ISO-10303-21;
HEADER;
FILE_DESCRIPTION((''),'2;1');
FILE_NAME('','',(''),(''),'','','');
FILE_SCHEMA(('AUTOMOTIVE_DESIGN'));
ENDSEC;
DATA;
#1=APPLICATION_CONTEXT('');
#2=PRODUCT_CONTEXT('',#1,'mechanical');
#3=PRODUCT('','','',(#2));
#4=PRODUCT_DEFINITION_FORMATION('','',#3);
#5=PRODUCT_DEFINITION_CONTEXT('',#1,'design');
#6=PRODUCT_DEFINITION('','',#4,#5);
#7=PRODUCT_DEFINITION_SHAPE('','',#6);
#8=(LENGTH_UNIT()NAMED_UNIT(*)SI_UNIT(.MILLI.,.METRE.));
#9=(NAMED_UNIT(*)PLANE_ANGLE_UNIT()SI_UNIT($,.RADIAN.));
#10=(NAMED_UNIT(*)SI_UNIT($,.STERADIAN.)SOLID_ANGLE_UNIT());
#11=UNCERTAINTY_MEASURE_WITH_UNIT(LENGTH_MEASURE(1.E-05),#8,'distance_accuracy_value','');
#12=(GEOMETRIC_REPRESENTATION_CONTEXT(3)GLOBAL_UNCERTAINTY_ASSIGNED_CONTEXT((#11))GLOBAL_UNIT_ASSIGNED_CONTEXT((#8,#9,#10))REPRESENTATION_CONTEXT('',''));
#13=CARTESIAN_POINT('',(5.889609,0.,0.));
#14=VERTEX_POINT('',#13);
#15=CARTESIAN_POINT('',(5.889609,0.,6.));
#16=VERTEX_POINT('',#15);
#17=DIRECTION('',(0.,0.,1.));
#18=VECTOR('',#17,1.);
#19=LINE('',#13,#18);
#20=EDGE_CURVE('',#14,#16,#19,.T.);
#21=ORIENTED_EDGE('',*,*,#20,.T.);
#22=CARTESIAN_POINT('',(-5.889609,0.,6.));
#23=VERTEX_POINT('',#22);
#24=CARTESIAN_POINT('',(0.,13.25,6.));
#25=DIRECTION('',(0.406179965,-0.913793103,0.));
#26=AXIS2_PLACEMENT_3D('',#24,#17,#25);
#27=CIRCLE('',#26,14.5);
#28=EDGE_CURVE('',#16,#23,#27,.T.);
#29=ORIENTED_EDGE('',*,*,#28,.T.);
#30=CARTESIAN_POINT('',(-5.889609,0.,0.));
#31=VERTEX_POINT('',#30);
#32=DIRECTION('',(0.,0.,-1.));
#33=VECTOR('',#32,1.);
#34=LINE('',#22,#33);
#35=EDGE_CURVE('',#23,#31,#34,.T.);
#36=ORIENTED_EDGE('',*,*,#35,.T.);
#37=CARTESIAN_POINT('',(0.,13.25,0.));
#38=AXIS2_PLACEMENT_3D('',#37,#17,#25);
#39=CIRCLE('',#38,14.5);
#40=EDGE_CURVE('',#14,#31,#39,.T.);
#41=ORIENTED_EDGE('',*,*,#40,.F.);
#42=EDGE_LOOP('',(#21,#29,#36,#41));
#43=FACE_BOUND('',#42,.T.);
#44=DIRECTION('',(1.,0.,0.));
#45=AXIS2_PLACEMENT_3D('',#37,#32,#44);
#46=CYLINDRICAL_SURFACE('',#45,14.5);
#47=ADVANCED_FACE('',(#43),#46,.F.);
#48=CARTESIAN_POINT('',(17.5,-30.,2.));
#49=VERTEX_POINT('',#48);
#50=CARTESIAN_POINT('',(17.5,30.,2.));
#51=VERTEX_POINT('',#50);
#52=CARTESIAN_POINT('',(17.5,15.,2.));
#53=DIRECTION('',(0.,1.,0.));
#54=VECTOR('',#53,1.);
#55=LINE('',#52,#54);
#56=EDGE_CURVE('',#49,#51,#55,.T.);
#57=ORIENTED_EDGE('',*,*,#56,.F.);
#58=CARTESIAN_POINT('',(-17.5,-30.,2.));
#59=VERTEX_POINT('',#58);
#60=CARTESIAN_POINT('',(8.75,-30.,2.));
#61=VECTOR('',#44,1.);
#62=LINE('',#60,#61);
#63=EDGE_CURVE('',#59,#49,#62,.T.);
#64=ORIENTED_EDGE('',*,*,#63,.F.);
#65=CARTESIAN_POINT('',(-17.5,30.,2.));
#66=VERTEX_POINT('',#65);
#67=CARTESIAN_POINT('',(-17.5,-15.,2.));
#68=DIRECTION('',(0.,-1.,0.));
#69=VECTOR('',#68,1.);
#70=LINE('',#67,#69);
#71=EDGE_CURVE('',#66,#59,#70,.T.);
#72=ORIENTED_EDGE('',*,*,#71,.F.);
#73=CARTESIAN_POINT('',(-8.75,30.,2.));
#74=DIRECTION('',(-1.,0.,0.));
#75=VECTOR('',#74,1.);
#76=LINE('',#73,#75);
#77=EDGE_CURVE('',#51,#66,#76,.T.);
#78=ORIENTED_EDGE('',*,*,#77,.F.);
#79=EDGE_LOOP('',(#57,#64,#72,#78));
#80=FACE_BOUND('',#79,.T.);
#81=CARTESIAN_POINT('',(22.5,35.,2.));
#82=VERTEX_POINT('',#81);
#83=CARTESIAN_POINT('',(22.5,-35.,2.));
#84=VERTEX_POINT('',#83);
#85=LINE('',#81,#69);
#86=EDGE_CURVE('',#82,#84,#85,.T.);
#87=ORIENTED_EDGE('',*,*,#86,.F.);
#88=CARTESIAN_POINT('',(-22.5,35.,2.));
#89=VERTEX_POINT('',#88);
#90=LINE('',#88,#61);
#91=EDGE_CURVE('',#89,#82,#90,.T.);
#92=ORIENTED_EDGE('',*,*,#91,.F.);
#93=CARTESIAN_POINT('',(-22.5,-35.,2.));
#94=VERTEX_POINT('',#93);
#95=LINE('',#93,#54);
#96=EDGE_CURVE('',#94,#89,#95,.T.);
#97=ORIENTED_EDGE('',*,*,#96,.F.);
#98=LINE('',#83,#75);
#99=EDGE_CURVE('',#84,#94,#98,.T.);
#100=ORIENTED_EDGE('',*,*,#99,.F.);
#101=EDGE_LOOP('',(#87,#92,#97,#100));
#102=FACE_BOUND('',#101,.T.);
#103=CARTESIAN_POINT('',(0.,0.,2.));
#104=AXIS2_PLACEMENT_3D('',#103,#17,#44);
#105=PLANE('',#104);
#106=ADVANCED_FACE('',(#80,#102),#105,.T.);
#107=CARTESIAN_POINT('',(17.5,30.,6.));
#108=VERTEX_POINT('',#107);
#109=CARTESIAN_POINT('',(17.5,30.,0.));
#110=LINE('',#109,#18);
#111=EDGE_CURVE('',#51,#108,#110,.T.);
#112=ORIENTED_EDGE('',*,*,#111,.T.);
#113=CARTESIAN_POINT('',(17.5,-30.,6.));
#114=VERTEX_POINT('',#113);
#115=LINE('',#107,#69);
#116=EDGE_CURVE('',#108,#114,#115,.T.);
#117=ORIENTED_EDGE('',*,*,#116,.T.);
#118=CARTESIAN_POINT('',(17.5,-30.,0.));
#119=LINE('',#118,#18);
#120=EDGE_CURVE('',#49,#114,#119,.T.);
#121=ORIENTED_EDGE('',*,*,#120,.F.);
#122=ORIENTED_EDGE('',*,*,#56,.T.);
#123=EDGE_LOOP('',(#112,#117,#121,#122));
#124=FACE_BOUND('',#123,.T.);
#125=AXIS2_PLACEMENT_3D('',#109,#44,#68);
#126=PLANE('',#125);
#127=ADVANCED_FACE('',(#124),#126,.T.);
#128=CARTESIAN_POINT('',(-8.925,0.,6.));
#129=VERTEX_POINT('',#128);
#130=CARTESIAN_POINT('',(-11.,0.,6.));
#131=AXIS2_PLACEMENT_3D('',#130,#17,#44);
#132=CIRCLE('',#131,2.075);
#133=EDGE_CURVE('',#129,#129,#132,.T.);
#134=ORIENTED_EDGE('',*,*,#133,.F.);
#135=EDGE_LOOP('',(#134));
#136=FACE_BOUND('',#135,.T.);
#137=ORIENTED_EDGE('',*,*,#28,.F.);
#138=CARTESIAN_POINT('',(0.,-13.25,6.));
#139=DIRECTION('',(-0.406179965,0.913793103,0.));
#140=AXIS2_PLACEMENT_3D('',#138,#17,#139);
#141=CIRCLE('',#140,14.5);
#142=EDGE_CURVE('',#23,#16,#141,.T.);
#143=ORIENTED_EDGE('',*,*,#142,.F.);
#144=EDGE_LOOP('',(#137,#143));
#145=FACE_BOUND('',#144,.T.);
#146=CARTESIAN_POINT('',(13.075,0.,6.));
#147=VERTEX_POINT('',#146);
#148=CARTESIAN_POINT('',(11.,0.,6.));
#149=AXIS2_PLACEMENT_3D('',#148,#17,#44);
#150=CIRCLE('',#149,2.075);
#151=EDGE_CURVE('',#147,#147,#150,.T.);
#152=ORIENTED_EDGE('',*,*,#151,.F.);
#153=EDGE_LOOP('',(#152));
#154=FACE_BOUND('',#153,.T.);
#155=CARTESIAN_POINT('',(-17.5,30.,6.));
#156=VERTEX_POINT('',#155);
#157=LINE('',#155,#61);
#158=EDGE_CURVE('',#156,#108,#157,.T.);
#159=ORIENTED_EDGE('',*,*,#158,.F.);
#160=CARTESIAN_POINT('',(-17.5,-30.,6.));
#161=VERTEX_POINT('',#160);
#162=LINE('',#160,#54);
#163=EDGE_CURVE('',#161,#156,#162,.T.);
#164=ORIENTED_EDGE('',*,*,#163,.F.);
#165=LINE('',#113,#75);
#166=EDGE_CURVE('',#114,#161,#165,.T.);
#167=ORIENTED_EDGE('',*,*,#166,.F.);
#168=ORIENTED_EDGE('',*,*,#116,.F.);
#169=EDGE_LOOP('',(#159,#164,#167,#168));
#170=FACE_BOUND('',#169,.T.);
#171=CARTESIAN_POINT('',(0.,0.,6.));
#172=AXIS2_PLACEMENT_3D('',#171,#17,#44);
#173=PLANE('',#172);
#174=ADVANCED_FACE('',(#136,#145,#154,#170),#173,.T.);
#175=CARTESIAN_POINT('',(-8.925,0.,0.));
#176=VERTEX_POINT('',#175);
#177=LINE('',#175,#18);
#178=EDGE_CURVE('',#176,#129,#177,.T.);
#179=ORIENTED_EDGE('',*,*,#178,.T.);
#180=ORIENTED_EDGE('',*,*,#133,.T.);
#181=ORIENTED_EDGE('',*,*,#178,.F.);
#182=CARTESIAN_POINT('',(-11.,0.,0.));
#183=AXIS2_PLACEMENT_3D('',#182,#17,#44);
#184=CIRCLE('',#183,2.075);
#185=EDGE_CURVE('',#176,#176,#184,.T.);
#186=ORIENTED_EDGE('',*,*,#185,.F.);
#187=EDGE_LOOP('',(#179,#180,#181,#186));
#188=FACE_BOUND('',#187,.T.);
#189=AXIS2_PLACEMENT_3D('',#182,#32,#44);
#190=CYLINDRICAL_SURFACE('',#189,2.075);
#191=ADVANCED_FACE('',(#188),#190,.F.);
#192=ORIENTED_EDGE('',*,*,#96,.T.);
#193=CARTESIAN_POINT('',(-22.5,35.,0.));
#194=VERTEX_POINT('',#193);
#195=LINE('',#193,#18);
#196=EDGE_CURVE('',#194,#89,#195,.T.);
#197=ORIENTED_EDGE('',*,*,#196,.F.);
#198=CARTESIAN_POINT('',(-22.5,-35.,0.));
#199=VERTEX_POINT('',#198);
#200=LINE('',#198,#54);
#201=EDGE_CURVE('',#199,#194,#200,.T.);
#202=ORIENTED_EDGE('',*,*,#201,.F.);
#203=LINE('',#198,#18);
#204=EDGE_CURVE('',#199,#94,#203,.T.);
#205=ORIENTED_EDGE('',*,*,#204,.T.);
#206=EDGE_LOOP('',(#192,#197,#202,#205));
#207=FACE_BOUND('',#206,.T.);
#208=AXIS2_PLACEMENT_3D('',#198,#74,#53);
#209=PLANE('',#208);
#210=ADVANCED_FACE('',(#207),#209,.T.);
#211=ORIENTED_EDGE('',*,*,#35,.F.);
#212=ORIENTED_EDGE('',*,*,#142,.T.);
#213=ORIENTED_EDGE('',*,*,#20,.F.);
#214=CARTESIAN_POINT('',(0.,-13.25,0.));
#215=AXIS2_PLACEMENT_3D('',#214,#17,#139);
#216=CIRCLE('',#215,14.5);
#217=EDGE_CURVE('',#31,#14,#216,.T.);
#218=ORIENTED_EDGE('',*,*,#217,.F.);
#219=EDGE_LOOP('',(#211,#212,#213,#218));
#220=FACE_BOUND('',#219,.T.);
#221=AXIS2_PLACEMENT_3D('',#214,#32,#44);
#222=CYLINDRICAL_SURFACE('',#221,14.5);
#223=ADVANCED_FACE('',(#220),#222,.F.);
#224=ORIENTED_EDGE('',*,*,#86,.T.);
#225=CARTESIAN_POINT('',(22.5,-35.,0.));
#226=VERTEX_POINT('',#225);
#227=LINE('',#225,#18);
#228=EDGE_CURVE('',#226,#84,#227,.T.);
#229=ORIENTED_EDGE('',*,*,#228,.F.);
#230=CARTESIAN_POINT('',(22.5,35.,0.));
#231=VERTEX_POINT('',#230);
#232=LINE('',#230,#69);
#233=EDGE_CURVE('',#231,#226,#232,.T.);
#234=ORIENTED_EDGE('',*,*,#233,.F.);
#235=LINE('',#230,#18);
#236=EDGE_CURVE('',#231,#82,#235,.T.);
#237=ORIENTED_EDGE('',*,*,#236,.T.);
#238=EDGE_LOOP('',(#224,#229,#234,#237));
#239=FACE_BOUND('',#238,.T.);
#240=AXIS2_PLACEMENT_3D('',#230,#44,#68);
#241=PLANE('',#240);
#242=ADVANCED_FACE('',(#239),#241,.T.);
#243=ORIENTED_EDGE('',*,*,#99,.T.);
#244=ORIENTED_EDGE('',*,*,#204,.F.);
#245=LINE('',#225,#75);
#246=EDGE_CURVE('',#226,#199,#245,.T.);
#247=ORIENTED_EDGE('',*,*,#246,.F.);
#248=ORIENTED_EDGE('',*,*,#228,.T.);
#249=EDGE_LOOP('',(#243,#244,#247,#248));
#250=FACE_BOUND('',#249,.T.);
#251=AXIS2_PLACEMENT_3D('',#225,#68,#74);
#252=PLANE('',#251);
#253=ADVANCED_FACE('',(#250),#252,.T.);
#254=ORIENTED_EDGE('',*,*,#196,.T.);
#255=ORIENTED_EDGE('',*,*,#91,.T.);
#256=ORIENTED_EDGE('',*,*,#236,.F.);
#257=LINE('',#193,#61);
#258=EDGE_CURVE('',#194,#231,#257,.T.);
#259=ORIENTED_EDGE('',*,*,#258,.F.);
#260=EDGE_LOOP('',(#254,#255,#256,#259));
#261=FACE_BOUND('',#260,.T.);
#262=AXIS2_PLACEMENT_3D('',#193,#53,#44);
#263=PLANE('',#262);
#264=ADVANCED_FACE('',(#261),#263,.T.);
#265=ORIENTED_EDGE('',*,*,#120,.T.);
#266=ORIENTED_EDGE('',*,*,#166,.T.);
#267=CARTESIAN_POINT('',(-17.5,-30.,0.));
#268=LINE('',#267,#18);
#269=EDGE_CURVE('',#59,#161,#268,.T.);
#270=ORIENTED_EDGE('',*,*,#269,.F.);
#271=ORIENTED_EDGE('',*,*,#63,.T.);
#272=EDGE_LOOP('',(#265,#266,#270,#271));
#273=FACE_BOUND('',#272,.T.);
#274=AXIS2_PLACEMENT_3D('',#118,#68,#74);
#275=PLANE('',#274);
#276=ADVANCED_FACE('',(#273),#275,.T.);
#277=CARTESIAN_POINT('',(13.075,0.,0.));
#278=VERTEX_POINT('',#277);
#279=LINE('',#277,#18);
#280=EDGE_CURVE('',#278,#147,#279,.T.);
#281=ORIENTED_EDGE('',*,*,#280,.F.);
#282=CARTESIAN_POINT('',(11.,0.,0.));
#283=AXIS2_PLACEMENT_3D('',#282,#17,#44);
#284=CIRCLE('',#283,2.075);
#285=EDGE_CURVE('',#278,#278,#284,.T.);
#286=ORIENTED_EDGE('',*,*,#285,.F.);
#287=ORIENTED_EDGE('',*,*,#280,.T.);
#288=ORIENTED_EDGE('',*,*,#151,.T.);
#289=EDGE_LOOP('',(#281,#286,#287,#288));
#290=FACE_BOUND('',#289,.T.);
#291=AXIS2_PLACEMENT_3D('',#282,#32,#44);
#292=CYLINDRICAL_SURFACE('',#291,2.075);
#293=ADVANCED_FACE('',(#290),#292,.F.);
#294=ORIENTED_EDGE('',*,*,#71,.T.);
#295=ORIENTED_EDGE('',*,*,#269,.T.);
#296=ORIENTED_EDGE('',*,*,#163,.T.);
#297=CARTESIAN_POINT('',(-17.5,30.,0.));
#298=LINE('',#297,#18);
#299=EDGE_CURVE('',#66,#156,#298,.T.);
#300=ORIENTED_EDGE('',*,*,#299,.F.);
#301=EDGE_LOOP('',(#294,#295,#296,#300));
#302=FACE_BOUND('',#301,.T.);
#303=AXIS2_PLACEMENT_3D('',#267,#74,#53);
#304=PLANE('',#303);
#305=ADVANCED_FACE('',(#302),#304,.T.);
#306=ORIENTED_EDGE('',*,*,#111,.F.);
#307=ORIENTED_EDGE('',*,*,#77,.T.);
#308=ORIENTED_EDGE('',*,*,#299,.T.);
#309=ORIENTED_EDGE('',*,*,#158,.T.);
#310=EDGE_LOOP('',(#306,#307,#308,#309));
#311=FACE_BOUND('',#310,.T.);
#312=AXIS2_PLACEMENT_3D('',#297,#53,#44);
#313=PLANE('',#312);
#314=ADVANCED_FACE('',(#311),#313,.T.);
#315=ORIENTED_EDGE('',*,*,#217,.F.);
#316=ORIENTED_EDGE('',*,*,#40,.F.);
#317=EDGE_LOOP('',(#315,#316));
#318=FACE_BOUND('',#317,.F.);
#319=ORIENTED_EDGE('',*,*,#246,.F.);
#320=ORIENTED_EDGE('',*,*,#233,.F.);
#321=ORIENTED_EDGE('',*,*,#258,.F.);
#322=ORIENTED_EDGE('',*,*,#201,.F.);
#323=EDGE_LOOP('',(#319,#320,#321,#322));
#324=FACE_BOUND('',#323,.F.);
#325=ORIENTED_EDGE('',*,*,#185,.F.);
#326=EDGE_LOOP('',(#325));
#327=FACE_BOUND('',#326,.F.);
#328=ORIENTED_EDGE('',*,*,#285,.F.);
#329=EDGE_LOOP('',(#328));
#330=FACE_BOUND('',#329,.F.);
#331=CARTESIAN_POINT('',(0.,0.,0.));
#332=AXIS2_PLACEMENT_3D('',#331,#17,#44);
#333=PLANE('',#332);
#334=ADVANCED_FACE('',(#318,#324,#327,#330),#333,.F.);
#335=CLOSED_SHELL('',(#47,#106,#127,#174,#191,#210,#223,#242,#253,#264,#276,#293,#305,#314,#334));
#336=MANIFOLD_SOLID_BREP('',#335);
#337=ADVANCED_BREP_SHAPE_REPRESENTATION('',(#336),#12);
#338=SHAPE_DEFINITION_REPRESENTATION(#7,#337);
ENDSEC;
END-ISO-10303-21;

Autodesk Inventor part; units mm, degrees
ref_plane "YZ Plane" through (0, 0, 0) normal (1, 0, 0) x (0, 1, 0)
ref_plane "XZ Plane" through (0, 0, 0) normal (0, 1, 0) x (-1, 0, 0)
ref_plane "XY Plane" through (0, 0, 0) normal (0, 0, 1) x (1, 0, 0)
sketch "Sketch1" plane through (0, 0, 0) normal (0, 0, 1) x (1, 0, 0)
  circle A0 centre (0, 13.25) radius 14.5
  circle A1 centre (0, -13.25) radius 14.5
  line L0 (0, 13.25) -> (0, -13.25) construction
  circle A2 centre (11, 0) radius 2.075
  circle A3 centre (-11, 0) radius 2.075
  line L1 (-17.5, 30) -> (17.5, 30)
  line L2 (17.5, 30) -> (17.5, -30)
  line L3 (17.5, -30) -> (-17.5, -30)
  line L4 (-17.5, -30) -> (-17.5, 30)
  line L5 (-22.5, 35) -> (22.5, 35)
  line L6 (22.5, 35) -> (22.5, -35)
  line L7 (22.5, -35) -> (-22.5, -35)
  line L8 (-22.5, -35) -> (-22.5, 35)
  point P0 (0, 0)
  point P1 (-5.8896, 0)
  point P2 (5.8896, 0)
  dimension "d0" = 29
  dimension "d1" = 29
  dimension "d2" = 26.5
  dimension "d3" = 13.25
  dimension "d6" = 0
  dimension "d7" = 4.15
  dimension "d8" = 4.15
  dimension "d9" = 11
  dimension "d10" = 11
  dimension "d11" = 11
  dimension "d12" = 11
  dimension "d13" = 35
  dimension "d14" = 17.5
  dimension "d15" = 30
  dimension "d16" = 30
  dimension "d17" = 5
extrude "Extrusion1" add sketch "Sketch1" along normal blind 2 contours L1 L2 L3 L4 | L5 L6 L7 L8
extrude "Extrusion2" add sketch "Sketch1" along normal blind 6 contours L1 L2 L3 L4
equation "\"d3\" = 0.5 * d2"
equation "\"d14\" = 0.5 * d13"
equation "\"d16\" = d15"
properties part number "sf11c_lidar_mount"
